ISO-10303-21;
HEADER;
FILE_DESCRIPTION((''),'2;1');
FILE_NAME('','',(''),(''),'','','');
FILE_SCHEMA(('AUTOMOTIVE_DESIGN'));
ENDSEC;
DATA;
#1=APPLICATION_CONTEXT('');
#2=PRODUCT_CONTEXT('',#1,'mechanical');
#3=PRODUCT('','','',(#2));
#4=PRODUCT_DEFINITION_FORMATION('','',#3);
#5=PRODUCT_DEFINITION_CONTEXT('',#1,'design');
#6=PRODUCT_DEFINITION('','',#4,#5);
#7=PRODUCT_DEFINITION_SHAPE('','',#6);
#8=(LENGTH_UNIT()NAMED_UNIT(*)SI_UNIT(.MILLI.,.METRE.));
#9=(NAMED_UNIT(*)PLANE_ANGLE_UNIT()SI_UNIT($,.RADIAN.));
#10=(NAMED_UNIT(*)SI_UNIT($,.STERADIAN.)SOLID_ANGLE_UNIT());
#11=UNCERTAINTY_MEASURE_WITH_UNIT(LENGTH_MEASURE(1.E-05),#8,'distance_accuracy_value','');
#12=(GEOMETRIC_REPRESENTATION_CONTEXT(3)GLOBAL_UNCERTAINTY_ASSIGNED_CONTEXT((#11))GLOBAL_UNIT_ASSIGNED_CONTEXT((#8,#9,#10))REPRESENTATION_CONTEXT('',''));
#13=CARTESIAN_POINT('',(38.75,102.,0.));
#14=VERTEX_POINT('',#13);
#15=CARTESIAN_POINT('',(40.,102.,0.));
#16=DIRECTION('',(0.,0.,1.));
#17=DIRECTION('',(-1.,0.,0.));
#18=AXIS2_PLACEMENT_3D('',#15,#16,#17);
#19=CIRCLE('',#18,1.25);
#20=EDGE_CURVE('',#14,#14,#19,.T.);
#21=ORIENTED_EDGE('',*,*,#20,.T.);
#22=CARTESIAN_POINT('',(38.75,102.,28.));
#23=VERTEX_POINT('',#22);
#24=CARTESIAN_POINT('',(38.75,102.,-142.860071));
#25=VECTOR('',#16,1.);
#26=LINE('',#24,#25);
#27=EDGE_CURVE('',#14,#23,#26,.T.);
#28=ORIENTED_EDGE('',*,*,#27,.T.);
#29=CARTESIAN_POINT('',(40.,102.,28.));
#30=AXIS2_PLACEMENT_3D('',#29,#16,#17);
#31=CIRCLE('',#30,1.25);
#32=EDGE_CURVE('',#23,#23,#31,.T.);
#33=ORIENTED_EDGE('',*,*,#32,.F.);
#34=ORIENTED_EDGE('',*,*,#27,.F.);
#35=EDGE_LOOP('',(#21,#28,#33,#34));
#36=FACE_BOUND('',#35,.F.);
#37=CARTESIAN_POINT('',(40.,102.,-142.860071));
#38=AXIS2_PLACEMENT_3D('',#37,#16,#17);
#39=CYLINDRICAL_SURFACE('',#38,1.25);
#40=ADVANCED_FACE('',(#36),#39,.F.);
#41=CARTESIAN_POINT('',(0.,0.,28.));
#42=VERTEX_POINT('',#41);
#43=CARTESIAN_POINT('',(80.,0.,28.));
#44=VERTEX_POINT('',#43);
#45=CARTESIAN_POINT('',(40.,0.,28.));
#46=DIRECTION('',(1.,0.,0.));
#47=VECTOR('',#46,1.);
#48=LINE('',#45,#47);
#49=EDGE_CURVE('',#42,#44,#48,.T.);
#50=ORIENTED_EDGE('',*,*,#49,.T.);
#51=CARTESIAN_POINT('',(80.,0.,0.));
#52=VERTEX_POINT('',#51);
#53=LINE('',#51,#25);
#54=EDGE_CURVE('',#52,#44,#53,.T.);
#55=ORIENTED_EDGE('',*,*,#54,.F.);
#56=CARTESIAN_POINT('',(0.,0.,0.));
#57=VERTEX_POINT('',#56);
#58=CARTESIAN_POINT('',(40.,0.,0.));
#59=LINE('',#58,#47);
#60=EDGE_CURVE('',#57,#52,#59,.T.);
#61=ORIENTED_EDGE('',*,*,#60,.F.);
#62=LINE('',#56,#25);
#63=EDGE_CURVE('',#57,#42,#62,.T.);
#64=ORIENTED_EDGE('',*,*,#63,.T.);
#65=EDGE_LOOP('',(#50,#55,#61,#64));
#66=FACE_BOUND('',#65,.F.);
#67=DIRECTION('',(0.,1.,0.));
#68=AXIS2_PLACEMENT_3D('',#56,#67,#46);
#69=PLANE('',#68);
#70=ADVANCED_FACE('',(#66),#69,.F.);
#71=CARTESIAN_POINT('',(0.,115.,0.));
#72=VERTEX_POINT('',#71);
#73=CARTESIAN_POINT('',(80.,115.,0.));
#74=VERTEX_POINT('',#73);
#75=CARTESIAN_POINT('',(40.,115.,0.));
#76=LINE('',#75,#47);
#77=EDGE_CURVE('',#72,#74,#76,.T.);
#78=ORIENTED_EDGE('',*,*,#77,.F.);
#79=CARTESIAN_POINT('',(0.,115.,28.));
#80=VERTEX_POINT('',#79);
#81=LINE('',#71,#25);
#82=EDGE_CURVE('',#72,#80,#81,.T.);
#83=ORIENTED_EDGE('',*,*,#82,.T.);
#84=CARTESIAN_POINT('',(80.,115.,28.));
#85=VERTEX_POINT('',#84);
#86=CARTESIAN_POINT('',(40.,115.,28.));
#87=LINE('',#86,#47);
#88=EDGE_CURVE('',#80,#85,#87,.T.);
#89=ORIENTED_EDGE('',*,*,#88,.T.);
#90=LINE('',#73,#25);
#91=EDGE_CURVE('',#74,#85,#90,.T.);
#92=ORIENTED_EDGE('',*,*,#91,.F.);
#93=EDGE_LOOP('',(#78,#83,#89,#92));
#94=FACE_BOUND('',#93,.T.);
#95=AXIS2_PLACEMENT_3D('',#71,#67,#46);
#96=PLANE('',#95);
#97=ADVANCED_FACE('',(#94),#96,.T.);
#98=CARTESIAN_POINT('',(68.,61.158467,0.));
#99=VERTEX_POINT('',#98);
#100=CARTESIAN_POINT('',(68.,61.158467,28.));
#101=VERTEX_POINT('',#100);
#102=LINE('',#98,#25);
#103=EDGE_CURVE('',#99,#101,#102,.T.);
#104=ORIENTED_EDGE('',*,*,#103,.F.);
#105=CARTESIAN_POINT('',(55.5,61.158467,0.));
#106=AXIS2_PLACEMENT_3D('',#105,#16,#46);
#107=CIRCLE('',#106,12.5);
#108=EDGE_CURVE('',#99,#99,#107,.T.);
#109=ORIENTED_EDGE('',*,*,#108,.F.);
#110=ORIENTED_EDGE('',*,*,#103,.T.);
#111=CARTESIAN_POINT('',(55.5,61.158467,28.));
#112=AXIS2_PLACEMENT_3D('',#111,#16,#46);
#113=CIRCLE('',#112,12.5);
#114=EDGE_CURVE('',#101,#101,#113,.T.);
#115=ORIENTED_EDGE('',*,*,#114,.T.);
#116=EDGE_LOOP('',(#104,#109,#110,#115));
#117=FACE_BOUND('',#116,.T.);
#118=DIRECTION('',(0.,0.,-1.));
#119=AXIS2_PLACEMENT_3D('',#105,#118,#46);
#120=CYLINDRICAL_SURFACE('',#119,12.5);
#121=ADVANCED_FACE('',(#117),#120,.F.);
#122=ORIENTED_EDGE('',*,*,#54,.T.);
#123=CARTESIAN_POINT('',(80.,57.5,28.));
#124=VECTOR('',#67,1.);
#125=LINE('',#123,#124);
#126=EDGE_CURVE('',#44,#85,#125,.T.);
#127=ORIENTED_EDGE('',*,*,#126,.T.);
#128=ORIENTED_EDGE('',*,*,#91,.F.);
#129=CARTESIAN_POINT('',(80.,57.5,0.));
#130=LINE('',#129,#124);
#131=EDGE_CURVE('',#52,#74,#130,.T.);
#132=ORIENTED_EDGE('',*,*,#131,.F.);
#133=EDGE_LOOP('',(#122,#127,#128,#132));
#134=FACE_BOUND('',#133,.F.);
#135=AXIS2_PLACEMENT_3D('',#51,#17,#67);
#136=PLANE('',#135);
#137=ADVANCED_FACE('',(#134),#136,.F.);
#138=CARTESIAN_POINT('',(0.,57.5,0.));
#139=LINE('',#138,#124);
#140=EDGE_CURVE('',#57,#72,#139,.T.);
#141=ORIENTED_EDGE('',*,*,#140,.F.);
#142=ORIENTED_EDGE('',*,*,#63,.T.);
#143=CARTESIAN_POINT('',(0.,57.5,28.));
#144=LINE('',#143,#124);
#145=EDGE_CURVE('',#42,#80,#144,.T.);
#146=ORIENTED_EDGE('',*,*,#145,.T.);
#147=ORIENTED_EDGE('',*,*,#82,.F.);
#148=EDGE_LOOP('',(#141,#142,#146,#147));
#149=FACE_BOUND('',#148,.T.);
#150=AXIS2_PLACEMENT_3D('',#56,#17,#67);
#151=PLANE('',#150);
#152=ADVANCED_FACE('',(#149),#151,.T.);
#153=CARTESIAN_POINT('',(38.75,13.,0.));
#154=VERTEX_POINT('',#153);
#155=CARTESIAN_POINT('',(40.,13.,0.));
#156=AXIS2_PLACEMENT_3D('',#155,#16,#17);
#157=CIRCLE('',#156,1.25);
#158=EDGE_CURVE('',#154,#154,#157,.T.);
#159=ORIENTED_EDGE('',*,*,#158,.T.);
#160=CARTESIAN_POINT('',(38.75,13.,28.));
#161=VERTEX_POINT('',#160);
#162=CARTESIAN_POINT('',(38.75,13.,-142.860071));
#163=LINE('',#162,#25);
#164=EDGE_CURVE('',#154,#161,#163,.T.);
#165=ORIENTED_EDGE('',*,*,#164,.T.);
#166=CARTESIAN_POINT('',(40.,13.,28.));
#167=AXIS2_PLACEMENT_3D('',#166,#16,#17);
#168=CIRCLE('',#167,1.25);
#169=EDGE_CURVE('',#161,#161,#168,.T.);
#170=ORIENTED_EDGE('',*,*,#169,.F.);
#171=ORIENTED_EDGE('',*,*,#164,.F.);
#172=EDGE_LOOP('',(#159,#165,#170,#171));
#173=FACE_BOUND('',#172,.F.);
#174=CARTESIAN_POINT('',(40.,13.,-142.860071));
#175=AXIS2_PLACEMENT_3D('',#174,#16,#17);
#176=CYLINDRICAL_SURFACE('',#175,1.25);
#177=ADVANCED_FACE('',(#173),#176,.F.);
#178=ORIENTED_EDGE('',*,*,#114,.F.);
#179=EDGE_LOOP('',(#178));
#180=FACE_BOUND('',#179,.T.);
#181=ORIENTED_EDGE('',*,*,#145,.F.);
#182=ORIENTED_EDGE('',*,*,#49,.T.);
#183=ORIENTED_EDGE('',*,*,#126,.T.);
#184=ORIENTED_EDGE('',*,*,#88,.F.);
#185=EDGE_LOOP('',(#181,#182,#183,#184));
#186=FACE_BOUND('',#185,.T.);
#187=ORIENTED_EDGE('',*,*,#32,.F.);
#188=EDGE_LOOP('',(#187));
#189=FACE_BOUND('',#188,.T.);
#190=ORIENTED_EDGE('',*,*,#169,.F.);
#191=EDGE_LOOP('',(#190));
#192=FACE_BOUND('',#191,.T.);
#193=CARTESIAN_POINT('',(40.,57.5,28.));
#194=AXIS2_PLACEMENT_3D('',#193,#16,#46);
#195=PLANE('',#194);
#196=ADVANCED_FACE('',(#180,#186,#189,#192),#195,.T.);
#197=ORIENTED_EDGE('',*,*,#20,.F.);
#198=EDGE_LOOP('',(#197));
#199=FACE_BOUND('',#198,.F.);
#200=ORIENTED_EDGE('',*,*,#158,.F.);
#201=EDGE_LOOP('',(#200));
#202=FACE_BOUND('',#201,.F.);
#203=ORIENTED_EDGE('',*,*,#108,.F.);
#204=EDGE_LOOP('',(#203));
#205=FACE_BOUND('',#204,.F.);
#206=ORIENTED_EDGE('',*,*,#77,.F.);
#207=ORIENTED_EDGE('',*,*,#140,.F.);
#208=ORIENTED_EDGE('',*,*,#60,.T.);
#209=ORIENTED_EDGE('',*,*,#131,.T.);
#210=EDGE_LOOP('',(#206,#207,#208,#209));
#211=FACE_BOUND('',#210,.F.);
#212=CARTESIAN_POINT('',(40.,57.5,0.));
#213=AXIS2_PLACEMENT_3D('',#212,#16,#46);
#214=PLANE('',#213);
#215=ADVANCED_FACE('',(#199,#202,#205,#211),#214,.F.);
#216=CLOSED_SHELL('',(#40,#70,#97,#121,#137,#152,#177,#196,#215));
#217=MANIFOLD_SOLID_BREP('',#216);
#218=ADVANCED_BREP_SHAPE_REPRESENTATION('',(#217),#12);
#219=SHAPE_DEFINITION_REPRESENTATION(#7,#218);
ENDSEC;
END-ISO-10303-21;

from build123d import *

# Parameters (mm, degrees)
F0_W     = 80
F0_H     = 115
F0_R     = 12.5
F1_DEPTH = 28
F2_D     = 2.5


with BuildPart() as f1:
    # F0 (on Top) → F1 (new body)
    with BuildSketch(Plane.XY):
        with Locations((40, 57.5)):
            Rectangle(F0_W, F0_H)
        with Locations((55.5, 61.1584670842)):
            Circle(F0_R, mode=Mode.SUBTRACT)
    extrude(amount=F1_DEPTH)

    # F2 (through all)
    with Locations(Plane(origin=(0, 0, 0), x_dir=(1, 0, 0), z_dir=(0, 0, -1))):
        with Locations((40, -13), (40, -102)):
            Hole(F2_D / 2)


solid = f1.part
